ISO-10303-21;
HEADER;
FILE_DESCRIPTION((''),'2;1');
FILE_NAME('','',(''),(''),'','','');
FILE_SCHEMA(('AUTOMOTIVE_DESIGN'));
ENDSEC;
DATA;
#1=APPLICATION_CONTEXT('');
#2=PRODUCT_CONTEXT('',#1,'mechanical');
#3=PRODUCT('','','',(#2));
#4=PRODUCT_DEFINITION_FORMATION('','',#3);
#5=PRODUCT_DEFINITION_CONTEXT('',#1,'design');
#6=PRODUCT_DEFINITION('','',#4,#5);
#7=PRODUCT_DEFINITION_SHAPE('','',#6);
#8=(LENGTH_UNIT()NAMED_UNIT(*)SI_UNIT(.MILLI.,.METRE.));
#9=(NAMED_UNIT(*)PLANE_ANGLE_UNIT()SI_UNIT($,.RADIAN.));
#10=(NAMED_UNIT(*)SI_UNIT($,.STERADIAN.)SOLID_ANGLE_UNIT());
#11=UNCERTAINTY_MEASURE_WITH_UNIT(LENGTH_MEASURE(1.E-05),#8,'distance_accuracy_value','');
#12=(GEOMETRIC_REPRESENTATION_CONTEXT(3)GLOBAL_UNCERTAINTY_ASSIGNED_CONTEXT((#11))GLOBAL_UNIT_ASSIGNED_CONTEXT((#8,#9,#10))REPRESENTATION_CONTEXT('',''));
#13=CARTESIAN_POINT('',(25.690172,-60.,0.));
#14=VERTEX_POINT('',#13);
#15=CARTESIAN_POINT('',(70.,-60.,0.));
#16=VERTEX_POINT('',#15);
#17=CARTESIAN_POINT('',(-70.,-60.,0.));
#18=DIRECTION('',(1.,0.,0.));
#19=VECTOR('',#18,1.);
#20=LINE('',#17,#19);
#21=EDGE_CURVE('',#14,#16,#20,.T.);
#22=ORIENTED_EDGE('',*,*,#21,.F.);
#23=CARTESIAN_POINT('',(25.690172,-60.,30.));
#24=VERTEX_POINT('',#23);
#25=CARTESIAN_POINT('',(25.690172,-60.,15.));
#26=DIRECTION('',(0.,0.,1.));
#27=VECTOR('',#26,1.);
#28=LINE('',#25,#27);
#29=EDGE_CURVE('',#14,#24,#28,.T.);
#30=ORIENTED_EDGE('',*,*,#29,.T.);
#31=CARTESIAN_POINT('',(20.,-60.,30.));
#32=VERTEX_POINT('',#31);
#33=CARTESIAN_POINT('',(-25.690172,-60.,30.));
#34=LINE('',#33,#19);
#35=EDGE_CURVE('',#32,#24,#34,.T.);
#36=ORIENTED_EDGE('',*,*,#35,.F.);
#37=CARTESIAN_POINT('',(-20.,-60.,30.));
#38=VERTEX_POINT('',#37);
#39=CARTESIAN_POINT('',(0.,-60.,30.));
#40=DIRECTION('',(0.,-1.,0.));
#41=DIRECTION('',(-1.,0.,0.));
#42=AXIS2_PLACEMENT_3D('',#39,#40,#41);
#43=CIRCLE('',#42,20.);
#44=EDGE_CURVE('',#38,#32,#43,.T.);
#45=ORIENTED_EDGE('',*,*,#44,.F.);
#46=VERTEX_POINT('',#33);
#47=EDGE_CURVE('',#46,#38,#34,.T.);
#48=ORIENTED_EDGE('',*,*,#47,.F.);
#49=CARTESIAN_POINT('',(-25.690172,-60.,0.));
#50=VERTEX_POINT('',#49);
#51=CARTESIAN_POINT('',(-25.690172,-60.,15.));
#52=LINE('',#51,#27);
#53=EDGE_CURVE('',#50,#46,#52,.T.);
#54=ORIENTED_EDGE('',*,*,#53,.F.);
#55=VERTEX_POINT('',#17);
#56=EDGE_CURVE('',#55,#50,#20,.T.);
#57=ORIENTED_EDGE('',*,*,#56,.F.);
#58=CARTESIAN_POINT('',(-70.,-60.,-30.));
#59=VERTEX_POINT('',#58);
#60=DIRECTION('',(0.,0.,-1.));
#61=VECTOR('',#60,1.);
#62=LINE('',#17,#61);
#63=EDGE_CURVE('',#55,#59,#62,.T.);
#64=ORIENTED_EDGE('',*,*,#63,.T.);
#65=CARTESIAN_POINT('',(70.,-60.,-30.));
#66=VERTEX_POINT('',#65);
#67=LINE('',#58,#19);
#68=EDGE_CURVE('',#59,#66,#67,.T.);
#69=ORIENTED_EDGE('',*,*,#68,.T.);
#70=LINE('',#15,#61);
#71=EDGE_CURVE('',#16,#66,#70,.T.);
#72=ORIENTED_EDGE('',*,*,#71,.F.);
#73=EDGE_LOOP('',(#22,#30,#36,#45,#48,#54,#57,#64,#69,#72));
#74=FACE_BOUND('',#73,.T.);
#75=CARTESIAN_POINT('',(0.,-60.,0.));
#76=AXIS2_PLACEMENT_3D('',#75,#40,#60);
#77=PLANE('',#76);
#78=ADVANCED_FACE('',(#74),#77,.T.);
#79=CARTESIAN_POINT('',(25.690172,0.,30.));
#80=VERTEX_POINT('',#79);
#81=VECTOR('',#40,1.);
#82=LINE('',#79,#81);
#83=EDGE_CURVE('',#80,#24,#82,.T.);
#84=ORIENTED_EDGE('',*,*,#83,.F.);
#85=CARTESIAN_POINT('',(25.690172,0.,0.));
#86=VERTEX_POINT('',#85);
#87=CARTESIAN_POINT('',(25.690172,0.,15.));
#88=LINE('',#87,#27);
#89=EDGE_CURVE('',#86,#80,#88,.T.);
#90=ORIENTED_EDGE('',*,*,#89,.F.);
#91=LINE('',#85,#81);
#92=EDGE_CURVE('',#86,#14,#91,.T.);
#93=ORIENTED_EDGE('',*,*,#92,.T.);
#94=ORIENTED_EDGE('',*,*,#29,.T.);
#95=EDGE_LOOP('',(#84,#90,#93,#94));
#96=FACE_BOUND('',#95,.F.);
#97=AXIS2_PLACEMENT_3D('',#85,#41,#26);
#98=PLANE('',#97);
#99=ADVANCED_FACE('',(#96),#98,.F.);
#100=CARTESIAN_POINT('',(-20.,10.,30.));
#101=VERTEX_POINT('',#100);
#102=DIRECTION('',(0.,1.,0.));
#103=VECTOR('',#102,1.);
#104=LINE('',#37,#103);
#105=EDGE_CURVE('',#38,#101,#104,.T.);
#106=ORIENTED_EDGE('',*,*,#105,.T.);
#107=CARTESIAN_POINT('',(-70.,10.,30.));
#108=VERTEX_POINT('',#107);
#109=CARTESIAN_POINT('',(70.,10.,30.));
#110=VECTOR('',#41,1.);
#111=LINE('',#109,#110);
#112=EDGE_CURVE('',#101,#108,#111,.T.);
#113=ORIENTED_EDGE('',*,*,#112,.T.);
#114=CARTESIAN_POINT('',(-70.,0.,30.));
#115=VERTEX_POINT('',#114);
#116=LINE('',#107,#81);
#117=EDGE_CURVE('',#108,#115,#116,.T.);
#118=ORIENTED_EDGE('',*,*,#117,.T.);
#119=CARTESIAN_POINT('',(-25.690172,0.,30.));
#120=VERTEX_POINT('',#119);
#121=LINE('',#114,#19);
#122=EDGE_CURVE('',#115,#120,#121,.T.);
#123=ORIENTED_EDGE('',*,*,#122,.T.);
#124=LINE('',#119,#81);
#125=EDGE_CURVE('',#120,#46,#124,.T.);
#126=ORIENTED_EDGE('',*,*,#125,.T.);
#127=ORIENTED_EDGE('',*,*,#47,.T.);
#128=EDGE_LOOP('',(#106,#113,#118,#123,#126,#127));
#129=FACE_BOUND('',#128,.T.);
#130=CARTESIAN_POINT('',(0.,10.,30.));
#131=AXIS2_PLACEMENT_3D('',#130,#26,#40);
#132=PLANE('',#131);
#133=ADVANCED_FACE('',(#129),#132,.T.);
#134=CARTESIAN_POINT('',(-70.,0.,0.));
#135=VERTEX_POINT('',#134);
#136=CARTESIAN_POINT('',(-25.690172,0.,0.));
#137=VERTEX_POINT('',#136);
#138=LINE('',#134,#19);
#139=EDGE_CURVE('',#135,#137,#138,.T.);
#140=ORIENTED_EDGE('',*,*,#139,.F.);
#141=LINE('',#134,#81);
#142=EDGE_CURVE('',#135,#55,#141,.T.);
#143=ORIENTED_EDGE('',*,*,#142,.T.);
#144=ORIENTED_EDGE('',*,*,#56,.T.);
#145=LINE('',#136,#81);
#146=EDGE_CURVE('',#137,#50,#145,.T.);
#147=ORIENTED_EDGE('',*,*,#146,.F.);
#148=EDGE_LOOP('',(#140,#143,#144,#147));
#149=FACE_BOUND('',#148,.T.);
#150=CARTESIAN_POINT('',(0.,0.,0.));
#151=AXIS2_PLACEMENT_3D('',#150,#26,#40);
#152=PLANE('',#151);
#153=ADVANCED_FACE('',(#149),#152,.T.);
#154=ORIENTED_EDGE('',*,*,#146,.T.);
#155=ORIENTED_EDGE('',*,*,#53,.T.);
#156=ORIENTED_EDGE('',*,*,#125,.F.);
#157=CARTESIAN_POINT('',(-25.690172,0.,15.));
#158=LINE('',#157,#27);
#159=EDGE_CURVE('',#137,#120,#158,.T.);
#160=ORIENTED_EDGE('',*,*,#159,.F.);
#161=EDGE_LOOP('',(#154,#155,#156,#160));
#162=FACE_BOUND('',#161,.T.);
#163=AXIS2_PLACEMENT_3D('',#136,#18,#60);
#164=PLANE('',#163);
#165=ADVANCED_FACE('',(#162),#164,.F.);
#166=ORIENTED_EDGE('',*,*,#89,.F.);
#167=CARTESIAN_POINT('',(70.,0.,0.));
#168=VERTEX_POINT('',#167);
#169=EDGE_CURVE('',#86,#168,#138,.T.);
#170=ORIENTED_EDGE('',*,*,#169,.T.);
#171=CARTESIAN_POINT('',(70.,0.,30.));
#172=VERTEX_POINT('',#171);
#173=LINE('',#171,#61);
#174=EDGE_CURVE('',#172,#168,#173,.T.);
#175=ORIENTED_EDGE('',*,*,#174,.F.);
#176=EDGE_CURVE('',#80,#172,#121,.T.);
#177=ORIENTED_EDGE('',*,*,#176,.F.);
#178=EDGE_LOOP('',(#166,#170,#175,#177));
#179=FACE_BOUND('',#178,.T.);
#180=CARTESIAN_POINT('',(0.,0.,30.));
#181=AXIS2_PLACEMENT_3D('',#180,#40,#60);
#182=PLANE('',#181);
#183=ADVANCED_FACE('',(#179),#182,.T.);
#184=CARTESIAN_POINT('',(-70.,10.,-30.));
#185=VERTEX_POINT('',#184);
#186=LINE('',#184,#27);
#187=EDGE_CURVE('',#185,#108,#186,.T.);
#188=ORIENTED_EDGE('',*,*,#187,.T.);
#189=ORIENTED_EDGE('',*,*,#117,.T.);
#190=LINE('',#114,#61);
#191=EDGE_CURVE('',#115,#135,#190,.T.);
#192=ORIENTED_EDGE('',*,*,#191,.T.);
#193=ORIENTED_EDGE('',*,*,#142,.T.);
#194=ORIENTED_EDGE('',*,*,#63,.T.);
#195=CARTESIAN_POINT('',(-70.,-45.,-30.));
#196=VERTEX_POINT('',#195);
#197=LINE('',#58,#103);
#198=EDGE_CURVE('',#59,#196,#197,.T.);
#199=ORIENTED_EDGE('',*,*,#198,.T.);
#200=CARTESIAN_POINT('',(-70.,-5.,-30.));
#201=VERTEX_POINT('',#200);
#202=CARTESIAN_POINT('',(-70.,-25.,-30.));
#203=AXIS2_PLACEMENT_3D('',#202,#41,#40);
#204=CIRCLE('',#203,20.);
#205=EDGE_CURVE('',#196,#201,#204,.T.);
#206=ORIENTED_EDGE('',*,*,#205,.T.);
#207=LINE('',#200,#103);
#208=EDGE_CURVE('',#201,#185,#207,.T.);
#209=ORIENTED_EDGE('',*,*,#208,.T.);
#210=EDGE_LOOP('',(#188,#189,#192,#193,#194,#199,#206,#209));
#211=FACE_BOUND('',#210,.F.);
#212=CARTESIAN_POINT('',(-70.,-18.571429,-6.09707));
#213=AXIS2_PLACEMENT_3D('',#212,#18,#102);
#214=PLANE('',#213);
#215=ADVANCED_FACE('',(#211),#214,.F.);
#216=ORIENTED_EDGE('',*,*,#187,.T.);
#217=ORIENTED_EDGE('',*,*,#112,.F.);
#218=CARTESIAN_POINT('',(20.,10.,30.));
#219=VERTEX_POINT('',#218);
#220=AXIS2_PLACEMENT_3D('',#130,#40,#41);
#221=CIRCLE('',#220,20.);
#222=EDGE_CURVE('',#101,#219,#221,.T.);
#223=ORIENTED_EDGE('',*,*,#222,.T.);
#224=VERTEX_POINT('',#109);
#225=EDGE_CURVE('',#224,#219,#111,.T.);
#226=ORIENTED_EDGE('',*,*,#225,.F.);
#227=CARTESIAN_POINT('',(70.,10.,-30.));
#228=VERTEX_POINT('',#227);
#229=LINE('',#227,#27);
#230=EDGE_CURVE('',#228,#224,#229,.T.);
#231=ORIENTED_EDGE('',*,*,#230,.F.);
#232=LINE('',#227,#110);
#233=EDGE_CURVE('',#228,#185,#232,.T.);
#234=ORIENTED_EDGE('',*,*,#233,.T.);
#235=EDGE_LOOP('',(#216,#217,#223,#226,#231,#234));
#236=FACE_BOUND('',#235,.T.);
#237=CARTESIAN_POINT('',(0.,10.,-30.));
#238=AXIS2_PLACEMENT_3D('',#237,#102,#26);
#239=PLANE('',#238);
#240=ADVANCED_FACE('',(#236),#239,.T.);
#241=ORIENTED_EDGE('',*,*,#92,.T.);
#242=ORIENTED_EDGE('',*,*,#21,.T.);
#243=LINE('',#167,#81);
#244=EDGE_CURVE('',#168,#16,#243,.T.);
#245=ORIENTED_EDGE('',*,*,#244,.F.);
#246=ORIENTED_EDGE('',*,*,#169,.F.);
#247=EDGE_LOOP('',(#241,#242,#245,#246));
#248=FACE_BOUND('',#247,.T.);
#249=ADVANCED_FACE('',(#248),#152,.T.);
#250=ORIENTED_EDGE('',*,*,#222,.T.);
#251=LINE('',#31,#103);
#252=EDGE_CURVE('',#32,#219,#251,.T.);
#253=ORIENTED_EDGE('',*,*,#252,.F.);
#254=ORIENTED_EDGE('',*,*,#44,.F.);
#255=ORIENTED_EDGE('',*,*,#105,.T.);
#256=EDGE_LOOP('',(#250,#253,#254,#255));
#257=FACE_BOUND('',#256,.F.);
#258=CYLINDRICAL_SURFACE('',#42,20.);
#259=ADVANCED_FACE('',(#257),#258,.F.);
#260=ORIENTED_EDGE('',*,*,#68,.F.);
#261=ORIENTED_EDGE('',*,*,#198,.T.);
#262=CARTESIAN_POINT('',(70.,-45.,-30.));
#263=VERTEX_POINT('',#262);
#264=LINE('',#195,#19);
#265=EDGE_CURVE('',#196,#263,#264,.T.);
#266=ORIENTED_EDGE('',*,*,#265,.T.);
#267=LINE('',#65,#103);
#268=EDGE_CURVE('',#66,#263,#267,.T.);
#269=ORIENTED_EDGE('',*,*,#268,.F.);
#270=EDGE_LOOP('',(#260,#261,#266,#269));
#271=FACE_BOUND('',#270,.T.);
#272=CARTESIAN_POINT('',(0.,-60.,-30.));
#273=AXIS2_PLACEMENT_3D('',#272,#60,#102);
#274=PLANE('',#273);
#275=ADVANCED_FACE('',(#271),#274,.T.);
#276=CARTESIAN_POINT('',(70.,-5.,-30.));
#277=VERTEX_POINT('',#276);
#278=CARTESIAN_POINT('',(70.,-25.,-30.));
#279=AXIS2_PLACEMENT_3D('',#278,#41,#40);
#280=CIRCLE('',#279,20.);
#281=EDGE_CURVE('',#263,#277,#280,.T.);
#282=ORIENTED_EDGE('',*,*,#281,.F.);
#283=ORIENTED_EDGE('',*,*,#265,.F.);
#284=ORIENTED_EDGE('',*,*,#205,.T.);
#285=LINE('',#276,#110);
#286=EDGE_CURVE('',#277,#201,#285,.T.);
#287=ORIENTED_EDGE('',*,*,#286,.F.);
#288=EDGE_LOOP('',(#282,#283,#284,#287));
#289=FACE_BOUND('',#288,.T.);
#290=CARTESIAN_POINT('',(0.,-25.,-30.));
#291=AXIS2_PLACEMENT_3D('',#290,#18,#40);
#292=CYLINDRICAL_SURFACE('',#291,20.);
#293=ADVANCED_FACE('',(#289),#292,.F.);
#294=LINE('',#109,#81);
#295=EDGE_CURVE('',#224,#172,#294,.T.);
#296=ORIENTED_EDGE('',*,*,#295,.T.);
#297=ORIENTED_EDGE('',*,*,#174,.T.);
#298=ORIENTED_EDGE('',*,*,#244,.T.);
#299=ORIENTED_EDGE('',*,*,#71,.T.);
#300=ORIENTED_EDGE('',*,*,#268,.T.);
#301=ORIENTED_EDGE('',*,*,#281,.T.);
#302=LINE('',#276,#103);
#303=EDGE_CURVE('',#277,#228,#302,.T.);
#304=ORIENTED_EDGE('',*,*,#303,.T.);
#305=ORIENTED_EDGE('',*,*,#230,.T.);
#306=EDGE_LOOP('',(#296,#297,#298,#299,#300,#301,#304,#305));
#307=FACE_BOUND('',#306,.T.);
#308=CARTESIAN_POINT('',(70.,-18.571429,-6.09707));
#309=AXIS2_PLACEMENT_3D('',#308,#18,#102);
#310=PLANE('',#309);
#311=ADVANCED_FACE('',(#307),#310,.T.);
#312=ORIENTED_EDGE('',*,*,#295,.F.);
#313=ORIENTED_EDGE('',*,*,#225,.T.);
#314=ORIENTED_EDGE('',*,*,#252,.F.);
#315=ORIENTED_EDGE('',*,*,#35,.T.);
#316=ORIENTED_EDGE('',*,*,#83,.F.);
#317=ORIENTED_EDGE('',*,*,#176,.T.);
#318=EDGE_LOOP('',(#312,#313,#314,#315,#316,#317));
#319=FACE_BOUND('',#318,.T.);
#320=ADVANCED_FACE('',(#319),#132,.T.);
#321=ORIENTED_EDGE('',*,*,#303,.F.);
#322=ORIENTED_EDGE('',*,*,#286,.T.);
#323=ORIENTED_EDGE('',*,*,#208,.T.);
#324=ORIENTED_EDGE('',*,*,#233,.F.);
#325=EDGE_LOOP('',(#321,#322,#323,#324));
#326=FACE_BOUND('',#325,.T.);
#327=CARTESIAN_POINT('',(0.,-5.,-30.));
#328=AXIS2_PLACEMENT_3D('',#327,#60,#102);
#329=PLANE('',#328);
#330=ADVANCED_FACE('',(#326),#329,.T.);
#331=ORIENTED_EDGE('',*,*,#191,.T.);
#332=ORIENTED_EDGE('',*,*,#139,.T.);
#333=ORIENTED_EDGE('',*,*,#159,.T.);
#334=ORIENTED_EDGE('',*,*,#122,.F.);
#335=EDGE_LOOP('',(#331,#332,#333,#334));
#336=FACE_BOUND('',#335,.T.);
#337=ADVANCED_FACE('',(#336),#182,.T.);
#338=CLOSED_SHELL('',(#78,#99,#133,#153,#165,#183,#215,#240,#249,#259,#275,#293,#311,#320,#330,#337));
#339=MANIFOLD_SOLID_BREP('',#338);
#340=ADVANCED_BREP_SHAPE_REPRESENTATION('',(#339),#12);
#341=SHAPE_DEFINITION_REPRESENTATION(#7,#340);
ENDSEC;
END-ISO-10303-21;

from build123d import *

# Parameters (mm, degrees)
F1_DEPTH = 70
F2_W     = 25.690172
F2_H     = 30
F3_DEPTH = 60
F6_DEPTH = 70.001


with BuildPart() as f1:
    # F0 (on Right) → F1 (new body, symmetric)
    with BuildSketch(Plane.YZ):
        with BuildLine():
            Line((10, 30), (0, 30))
            Line((0, 30), (0, 0))
            Line((0, 0), (-60, 0))
            Line((-60, 0), (-60, -30))
            Line((-60, -30), (-45, -30))
            ThreePointArc((-45, -30), (-25, -10), (-5, -30))
            Line((-5, -30), (0, -30))
            Line((0, -30), (10, -30))
            Line((10, -30), (10, 30))
        make_face()
    extrude(amount=F1_DEPTH, both=True)

    # F2 (on face) → F3 (join)
    with BuildSketch(Plane.XZ):
        with Locations((12.845086, 15)):
            Rectangle(F2_W, F2_H)
    extrude(amount=F3_DEPTH)

    # F4: F1 across plane


with BuildPart() as f1_1:
    add(f1.part)
    add(f1.part.mirror(Plane.YZ))

    # F5 (on face) → F6 (cut, through all)
    with BuildSketch(Plane.XZ.offset(60)):
        with BuildLine():
            Line((20, 30), (-20, 30))
            ThreePointArc((-20, 30), (0, 10), (20, 30))
        make_face()
    extrude(amount=-F6_DEPTH, mode=Mode.SUBTRACT)


solid = f1_1.part
